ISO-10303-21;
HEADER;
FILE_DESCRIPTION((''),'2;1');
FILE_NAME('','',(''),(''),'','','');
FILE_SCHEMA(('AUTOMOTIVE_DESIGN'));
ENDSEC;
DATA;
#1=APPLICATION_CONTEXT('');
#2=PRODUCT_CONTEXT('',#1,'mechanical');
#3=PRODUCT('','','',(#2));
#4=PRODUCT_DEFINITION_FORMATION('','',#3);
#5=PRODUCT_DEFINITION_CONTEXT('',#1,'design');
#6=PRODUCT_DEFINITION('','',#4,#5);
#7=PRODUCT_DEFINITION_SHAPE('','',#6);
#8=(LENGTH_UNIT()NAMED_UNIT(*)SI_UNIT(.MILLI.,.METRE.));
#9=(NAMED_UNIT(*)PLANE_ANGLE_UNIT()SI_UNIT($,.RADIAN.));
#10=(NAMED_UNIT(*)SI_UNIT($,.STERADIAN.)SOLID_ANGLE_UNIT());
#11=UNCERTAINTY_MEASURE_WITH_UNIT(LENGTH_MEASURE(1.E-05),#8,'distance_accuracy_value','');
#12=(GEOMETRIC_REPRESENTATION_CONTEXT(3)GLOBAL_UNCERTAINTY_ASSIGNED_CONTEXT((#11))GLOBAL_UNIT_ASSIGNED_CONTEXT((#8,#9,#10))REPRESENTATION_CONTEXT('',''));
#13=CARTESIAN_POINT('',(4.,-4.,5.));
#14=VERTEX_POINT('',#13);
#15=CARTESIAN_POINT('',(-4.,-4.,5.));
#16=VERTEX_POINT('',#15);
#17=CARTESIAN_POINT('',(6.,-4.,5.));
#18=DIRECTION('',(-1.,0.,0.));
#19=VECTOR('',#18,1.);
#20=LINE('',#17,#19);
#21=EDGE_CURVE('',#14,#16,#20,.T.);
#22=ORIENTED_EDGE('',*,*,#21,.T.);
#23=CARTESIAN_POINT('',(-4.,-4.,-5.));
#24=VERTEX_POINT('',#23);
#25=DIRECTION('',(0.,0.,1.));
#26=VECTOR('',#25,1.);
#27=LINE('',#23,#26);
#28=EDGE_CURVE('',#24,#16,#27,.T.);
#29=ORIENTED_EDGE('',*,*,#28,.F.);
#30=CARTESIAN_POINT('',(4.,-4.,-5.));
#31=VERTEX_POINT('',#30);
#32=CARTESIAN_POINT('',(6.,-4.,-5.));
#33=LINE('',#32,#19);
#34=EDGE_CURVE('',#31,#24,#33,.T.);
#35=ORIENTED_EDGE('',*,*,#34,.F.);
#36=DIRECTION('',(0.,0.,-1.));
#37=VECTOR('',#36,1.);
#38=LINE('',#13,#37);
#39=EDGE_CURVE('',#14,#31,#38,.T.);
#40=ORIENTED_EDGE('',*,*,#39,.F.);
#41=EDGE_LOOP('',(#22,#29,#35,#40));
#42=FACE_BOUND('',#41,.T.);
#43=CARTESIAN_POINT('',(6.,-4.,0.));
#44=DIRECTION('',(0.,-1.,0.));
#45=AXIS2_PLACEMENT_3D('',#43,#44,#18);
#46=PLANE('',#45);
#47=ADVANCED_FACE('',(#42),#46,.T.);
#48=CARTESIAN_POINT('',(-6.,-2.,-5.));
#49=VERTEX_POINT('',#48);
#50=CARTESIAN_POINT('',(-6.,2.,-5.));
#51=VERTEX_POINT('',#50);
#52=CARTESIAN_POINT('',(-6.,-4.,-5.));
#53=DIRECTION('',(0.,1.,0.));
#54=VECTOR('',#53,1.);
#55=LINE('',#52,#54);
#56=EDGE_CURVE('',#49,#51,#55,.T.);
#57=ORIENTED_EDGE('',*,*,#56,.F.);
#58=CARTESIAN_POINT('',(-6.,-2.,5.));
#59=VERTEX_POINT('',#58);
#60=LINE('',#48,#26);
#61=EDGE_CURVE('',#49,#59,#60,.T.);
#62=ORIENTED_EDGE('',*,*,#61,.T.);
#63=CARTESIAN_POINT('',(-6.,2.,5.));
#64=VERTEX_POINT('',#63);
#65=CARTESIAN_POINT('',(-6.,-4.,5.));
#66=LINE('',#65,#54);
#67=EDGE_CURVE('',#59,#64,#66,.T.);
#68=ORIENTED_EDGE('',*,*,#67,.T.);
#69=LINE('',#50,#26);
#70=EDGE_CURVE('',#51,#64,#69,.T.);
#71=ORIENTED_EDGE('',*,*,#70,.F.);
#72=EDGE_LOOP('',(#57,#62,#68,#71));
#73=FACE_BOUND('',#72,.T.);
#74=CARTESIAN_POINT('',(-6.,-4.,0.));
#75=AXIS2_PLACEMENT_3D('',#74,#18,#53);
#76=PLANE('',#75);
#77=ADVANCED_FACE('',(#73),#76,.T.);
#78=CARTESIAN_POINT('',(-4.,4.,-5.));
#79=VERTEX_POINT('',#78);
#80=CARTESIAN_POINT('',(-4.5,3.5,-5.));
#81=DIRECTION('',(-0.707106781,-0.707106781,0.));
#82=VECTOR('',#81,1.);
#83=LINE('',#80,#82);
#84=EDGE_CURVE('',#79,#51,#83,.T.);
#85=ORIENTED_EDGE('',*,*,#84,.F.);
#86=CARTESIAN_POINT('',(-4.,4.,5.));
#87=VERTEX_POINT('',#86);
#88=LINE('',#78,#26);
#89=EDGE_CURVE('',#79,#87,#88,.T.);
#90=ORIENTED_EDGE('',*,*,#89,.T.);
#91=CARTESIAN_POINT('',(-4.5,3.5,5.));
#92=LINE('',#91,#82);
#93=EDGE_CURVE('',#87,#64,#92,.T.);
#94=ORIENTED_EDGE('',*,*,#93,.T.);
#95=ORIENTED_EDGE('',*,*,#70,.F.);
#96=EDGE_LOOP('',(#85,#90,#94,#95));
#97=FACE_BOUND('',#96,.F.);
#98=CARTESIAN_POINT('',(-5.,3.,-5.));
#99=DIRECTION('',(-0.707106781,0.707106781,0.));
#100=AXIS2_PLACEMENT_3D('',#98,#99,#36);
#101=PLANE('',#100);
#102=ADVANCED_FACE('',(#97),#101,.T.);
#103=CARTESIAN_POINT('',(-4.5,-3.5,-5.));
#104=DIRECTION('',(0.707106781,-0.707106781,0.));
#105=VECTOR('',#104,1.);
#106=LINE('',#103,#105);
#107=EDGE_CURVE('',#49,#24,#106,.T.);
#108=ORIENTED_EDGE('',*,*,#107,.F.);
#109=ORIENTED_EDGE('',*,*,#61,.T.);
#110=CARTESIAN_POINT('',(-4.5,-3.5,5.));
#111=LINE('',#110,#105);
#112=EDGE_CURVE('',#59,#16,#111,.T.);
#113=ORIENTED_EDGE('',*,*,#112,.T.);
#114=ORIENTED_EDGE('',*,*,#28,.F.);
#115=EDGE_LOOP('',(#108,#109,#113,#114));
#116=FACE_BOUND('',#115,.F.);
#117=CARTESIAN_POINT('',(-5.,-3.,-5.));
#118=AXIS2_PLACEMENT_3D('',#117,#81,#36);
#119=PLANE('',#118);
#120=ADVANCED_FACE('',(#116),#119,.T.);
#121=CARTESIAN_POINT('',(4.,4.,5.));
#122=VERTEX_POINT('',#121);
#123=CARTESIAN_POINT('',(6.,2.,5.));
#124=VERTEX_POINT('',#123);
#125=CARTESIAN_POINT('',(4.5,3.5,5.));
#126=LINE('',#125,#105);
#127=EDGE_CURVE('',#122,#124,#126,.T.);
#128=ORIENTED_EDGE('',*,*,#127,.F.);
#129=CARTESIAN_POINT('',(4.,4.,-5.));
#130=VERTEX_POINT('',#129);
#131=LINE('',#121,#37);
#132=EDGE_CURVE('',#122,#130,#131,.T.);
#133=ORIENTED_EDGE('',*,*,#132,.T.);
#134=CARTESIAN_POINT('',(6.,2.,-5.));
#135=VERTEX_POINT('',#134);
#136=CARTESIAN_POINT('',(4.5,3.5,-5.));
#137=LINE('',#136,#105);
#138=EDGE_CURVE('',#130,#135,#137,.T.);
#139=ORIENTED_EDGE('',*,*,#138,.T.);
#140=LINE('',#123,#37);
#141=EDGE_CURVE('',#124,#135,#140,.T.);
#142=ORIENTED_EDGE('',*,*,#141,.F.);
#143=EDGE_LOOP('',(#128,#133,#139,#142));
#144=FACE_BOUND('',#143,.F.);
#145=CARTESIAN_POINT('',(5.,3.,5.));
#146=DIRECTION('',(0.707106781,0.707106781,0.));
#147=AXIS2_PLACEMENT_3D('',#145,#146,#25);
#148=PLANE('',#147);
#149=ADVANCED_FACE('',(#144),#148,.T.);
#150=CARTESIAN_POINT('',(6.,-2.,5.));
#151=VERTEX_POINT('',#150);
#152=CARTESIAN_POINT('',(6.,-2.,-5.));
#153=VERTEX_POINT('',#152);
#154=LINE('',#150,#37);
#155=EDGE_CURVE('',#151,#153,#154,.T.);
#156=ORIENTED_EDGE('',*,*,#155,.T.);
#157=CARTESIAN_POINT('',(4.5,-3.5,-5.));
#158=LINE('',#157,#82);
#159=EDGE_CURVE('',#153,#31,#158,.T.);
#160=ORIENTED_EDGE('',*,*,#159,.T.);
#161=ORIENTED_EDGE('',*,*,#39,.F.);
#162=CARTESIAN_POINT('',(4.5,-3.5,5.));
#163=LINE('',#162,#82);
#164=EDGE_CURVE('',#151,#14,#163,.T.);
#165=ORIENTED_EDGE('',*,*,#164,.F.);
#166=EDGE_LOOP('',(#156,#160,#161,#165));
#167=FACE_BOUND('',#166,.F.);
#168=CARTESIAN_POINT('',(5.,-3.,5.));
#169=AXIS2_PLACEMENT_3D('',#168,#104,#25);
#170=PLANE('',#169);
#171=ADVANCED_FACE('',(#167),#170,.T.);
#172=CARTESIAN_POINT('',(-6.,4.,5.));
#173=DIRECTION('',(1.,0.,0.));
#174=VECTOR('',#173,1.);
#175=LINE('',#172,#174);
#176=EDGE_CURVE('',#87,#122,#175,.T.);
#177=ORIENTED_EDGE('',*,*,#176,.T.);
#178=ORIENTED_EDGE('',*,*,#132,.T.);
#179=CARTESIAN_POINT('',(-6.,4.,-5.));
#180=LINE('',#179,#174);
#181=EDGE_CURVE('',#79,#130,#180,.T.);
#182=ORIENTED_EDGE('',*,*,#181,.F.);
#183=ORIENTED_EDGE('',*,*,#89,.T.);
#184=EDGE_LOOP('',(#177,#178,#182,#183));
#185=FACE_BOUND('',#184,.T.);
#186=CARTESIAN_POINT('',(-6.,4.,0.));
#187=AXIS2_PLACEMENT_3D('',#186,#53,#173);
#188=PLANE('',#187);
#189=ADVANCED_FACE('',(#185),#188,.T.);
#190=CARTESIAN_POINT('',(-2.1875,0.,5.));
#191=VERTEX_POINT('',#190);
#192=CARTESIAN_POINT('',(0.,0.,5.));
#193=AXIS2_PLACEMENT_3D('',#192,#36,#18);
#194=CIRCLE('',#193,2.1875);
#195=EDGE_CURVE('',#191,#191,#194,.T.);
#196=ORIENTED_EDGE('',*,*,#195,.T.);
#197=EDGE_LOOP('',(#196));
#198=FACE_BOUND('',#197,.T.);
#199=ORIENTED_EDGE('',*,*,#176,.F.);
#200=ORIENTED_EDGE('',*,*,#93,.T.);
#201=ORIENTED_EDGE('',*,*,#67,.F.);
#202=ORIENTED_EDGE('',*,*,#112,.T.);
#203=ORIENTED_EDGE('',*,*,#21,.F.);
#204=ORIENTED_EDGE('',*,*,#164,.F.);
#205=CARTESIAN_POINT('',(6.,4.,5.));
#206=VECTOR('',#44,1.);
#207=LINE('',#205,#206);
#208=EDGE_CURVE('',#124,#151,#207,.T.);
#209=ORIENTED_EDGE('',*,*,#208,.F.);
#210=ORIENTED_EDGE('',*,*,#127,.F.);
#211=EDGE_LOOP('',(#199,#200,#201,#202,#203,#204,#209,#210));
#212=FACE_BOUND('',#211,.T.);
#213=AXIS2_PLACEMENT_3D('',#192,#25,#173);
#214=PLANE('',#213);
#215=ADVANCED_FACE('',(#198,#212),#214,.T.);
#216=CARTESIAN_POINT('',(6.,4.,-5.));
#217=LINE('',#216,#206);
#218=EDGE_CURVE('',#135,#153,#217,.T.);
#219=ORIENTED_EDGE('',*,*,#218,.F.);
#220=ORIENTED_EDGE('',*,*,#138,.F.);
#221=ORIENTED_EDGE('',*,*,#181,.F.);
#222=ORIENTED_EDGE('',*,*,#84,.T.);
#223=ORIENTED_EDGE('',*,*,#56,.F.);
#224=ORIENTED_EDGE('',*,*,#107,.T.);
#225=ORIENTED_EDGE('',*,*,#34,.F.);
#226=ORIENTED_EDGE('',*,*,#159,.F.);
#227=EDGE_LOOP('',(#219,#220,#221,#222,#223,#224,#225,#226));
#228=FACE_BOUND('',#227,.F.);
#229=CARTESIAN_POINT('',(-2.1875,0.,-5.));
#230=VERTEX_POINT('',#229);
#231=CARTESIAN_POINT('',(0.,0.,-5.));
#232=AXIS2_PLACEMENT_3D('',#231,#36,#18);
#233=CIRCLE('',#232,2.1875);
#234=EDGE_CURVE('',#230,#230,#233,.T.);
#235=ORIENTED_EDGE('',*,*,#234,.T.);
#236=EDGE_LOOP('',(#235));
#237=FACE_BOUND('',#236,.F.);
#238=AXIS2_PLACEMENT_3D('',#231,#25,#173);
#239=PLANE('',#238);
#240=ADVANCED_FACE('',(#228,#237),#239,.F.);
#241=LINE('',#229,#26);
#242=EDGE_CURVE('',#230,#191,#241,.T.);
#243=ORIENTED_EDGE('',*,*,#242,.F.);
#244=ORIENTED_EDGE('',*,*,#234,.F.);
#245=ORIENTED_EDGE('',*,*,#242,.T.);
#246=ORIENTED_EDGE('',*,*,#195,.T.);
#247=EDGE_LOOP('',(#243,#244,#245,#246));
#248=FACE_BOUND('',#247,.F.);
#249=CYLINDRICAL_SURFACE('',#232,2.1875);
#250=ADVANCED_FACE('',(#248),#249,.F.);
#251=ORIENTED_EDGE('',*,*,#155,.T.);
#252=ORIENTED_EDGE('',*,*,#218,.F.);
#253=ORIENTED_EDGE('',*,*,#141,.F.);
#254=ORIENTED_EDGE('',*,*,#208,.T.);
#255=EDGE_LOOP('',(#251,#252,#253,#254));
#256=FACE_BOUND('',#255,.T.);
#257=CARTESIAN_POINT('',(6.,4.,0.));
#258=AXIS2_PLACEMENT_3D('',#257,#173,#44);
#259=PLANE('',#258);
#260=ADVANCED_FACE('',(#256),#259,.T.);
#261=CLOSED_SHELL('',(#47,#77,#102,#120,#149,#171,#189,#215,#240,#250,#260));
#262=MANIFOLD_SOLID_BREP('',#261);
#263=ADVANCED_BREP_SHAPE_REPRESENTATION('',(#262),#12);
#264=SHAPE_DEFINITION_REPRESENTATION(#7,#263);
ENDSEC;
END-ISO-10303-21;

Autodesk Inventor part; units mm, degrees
ref_plane "YZ Plane" through (0, 0, 0) normal (1, 0, 0) x (0, 1, 0)
ref_plane "XZ Plane" through (0, 0, 0) normal (0, 1, 0) x (-1, 0, 0)
ref_plane "XY Plane" through (0, 0, 0) normal (0, 0, 1) x (1, 0, 0)
sketch "Sketch1" plane through (0, 0, 0) normal (0, 0, 1) x (1, 0, 0)
  line L0 (-6, 4) -> (6, 4)
  line L1 (6, 4) -> (6, -4)
  line L2 (6, -4) -> (-6, -4)
  line L3 (-6, -4) -> (-6, 4)
  line L4 (-6, 4) -> (6, -4) construction
  line L5 (6, 4) -> (-6, -4) construction
  point P0 (0, 0)
  dimension "d0" = 12
  dimension "d1" = 8
extrude "Extrusion1" add sketch "Sketch1" along normal mid plane 10
chamfer "Chamfer1" distance 2 angle 45 4 edges at (6, 4, 0) (-6, 4, 0) (-6, -4, 0) (6, -4, 0)
sketch "Sketch2" plane through (0, 0, -5) normal (0, 0, -1) x (-1, 0, 0)
  circle A0 centre (0, 0) radius 2.1875
  dimension "d7" = 4.375
extrude "Extrusion2" cut sketch "Sketch2" against normal through all
properties part number "conexion-engrane-hombro"
